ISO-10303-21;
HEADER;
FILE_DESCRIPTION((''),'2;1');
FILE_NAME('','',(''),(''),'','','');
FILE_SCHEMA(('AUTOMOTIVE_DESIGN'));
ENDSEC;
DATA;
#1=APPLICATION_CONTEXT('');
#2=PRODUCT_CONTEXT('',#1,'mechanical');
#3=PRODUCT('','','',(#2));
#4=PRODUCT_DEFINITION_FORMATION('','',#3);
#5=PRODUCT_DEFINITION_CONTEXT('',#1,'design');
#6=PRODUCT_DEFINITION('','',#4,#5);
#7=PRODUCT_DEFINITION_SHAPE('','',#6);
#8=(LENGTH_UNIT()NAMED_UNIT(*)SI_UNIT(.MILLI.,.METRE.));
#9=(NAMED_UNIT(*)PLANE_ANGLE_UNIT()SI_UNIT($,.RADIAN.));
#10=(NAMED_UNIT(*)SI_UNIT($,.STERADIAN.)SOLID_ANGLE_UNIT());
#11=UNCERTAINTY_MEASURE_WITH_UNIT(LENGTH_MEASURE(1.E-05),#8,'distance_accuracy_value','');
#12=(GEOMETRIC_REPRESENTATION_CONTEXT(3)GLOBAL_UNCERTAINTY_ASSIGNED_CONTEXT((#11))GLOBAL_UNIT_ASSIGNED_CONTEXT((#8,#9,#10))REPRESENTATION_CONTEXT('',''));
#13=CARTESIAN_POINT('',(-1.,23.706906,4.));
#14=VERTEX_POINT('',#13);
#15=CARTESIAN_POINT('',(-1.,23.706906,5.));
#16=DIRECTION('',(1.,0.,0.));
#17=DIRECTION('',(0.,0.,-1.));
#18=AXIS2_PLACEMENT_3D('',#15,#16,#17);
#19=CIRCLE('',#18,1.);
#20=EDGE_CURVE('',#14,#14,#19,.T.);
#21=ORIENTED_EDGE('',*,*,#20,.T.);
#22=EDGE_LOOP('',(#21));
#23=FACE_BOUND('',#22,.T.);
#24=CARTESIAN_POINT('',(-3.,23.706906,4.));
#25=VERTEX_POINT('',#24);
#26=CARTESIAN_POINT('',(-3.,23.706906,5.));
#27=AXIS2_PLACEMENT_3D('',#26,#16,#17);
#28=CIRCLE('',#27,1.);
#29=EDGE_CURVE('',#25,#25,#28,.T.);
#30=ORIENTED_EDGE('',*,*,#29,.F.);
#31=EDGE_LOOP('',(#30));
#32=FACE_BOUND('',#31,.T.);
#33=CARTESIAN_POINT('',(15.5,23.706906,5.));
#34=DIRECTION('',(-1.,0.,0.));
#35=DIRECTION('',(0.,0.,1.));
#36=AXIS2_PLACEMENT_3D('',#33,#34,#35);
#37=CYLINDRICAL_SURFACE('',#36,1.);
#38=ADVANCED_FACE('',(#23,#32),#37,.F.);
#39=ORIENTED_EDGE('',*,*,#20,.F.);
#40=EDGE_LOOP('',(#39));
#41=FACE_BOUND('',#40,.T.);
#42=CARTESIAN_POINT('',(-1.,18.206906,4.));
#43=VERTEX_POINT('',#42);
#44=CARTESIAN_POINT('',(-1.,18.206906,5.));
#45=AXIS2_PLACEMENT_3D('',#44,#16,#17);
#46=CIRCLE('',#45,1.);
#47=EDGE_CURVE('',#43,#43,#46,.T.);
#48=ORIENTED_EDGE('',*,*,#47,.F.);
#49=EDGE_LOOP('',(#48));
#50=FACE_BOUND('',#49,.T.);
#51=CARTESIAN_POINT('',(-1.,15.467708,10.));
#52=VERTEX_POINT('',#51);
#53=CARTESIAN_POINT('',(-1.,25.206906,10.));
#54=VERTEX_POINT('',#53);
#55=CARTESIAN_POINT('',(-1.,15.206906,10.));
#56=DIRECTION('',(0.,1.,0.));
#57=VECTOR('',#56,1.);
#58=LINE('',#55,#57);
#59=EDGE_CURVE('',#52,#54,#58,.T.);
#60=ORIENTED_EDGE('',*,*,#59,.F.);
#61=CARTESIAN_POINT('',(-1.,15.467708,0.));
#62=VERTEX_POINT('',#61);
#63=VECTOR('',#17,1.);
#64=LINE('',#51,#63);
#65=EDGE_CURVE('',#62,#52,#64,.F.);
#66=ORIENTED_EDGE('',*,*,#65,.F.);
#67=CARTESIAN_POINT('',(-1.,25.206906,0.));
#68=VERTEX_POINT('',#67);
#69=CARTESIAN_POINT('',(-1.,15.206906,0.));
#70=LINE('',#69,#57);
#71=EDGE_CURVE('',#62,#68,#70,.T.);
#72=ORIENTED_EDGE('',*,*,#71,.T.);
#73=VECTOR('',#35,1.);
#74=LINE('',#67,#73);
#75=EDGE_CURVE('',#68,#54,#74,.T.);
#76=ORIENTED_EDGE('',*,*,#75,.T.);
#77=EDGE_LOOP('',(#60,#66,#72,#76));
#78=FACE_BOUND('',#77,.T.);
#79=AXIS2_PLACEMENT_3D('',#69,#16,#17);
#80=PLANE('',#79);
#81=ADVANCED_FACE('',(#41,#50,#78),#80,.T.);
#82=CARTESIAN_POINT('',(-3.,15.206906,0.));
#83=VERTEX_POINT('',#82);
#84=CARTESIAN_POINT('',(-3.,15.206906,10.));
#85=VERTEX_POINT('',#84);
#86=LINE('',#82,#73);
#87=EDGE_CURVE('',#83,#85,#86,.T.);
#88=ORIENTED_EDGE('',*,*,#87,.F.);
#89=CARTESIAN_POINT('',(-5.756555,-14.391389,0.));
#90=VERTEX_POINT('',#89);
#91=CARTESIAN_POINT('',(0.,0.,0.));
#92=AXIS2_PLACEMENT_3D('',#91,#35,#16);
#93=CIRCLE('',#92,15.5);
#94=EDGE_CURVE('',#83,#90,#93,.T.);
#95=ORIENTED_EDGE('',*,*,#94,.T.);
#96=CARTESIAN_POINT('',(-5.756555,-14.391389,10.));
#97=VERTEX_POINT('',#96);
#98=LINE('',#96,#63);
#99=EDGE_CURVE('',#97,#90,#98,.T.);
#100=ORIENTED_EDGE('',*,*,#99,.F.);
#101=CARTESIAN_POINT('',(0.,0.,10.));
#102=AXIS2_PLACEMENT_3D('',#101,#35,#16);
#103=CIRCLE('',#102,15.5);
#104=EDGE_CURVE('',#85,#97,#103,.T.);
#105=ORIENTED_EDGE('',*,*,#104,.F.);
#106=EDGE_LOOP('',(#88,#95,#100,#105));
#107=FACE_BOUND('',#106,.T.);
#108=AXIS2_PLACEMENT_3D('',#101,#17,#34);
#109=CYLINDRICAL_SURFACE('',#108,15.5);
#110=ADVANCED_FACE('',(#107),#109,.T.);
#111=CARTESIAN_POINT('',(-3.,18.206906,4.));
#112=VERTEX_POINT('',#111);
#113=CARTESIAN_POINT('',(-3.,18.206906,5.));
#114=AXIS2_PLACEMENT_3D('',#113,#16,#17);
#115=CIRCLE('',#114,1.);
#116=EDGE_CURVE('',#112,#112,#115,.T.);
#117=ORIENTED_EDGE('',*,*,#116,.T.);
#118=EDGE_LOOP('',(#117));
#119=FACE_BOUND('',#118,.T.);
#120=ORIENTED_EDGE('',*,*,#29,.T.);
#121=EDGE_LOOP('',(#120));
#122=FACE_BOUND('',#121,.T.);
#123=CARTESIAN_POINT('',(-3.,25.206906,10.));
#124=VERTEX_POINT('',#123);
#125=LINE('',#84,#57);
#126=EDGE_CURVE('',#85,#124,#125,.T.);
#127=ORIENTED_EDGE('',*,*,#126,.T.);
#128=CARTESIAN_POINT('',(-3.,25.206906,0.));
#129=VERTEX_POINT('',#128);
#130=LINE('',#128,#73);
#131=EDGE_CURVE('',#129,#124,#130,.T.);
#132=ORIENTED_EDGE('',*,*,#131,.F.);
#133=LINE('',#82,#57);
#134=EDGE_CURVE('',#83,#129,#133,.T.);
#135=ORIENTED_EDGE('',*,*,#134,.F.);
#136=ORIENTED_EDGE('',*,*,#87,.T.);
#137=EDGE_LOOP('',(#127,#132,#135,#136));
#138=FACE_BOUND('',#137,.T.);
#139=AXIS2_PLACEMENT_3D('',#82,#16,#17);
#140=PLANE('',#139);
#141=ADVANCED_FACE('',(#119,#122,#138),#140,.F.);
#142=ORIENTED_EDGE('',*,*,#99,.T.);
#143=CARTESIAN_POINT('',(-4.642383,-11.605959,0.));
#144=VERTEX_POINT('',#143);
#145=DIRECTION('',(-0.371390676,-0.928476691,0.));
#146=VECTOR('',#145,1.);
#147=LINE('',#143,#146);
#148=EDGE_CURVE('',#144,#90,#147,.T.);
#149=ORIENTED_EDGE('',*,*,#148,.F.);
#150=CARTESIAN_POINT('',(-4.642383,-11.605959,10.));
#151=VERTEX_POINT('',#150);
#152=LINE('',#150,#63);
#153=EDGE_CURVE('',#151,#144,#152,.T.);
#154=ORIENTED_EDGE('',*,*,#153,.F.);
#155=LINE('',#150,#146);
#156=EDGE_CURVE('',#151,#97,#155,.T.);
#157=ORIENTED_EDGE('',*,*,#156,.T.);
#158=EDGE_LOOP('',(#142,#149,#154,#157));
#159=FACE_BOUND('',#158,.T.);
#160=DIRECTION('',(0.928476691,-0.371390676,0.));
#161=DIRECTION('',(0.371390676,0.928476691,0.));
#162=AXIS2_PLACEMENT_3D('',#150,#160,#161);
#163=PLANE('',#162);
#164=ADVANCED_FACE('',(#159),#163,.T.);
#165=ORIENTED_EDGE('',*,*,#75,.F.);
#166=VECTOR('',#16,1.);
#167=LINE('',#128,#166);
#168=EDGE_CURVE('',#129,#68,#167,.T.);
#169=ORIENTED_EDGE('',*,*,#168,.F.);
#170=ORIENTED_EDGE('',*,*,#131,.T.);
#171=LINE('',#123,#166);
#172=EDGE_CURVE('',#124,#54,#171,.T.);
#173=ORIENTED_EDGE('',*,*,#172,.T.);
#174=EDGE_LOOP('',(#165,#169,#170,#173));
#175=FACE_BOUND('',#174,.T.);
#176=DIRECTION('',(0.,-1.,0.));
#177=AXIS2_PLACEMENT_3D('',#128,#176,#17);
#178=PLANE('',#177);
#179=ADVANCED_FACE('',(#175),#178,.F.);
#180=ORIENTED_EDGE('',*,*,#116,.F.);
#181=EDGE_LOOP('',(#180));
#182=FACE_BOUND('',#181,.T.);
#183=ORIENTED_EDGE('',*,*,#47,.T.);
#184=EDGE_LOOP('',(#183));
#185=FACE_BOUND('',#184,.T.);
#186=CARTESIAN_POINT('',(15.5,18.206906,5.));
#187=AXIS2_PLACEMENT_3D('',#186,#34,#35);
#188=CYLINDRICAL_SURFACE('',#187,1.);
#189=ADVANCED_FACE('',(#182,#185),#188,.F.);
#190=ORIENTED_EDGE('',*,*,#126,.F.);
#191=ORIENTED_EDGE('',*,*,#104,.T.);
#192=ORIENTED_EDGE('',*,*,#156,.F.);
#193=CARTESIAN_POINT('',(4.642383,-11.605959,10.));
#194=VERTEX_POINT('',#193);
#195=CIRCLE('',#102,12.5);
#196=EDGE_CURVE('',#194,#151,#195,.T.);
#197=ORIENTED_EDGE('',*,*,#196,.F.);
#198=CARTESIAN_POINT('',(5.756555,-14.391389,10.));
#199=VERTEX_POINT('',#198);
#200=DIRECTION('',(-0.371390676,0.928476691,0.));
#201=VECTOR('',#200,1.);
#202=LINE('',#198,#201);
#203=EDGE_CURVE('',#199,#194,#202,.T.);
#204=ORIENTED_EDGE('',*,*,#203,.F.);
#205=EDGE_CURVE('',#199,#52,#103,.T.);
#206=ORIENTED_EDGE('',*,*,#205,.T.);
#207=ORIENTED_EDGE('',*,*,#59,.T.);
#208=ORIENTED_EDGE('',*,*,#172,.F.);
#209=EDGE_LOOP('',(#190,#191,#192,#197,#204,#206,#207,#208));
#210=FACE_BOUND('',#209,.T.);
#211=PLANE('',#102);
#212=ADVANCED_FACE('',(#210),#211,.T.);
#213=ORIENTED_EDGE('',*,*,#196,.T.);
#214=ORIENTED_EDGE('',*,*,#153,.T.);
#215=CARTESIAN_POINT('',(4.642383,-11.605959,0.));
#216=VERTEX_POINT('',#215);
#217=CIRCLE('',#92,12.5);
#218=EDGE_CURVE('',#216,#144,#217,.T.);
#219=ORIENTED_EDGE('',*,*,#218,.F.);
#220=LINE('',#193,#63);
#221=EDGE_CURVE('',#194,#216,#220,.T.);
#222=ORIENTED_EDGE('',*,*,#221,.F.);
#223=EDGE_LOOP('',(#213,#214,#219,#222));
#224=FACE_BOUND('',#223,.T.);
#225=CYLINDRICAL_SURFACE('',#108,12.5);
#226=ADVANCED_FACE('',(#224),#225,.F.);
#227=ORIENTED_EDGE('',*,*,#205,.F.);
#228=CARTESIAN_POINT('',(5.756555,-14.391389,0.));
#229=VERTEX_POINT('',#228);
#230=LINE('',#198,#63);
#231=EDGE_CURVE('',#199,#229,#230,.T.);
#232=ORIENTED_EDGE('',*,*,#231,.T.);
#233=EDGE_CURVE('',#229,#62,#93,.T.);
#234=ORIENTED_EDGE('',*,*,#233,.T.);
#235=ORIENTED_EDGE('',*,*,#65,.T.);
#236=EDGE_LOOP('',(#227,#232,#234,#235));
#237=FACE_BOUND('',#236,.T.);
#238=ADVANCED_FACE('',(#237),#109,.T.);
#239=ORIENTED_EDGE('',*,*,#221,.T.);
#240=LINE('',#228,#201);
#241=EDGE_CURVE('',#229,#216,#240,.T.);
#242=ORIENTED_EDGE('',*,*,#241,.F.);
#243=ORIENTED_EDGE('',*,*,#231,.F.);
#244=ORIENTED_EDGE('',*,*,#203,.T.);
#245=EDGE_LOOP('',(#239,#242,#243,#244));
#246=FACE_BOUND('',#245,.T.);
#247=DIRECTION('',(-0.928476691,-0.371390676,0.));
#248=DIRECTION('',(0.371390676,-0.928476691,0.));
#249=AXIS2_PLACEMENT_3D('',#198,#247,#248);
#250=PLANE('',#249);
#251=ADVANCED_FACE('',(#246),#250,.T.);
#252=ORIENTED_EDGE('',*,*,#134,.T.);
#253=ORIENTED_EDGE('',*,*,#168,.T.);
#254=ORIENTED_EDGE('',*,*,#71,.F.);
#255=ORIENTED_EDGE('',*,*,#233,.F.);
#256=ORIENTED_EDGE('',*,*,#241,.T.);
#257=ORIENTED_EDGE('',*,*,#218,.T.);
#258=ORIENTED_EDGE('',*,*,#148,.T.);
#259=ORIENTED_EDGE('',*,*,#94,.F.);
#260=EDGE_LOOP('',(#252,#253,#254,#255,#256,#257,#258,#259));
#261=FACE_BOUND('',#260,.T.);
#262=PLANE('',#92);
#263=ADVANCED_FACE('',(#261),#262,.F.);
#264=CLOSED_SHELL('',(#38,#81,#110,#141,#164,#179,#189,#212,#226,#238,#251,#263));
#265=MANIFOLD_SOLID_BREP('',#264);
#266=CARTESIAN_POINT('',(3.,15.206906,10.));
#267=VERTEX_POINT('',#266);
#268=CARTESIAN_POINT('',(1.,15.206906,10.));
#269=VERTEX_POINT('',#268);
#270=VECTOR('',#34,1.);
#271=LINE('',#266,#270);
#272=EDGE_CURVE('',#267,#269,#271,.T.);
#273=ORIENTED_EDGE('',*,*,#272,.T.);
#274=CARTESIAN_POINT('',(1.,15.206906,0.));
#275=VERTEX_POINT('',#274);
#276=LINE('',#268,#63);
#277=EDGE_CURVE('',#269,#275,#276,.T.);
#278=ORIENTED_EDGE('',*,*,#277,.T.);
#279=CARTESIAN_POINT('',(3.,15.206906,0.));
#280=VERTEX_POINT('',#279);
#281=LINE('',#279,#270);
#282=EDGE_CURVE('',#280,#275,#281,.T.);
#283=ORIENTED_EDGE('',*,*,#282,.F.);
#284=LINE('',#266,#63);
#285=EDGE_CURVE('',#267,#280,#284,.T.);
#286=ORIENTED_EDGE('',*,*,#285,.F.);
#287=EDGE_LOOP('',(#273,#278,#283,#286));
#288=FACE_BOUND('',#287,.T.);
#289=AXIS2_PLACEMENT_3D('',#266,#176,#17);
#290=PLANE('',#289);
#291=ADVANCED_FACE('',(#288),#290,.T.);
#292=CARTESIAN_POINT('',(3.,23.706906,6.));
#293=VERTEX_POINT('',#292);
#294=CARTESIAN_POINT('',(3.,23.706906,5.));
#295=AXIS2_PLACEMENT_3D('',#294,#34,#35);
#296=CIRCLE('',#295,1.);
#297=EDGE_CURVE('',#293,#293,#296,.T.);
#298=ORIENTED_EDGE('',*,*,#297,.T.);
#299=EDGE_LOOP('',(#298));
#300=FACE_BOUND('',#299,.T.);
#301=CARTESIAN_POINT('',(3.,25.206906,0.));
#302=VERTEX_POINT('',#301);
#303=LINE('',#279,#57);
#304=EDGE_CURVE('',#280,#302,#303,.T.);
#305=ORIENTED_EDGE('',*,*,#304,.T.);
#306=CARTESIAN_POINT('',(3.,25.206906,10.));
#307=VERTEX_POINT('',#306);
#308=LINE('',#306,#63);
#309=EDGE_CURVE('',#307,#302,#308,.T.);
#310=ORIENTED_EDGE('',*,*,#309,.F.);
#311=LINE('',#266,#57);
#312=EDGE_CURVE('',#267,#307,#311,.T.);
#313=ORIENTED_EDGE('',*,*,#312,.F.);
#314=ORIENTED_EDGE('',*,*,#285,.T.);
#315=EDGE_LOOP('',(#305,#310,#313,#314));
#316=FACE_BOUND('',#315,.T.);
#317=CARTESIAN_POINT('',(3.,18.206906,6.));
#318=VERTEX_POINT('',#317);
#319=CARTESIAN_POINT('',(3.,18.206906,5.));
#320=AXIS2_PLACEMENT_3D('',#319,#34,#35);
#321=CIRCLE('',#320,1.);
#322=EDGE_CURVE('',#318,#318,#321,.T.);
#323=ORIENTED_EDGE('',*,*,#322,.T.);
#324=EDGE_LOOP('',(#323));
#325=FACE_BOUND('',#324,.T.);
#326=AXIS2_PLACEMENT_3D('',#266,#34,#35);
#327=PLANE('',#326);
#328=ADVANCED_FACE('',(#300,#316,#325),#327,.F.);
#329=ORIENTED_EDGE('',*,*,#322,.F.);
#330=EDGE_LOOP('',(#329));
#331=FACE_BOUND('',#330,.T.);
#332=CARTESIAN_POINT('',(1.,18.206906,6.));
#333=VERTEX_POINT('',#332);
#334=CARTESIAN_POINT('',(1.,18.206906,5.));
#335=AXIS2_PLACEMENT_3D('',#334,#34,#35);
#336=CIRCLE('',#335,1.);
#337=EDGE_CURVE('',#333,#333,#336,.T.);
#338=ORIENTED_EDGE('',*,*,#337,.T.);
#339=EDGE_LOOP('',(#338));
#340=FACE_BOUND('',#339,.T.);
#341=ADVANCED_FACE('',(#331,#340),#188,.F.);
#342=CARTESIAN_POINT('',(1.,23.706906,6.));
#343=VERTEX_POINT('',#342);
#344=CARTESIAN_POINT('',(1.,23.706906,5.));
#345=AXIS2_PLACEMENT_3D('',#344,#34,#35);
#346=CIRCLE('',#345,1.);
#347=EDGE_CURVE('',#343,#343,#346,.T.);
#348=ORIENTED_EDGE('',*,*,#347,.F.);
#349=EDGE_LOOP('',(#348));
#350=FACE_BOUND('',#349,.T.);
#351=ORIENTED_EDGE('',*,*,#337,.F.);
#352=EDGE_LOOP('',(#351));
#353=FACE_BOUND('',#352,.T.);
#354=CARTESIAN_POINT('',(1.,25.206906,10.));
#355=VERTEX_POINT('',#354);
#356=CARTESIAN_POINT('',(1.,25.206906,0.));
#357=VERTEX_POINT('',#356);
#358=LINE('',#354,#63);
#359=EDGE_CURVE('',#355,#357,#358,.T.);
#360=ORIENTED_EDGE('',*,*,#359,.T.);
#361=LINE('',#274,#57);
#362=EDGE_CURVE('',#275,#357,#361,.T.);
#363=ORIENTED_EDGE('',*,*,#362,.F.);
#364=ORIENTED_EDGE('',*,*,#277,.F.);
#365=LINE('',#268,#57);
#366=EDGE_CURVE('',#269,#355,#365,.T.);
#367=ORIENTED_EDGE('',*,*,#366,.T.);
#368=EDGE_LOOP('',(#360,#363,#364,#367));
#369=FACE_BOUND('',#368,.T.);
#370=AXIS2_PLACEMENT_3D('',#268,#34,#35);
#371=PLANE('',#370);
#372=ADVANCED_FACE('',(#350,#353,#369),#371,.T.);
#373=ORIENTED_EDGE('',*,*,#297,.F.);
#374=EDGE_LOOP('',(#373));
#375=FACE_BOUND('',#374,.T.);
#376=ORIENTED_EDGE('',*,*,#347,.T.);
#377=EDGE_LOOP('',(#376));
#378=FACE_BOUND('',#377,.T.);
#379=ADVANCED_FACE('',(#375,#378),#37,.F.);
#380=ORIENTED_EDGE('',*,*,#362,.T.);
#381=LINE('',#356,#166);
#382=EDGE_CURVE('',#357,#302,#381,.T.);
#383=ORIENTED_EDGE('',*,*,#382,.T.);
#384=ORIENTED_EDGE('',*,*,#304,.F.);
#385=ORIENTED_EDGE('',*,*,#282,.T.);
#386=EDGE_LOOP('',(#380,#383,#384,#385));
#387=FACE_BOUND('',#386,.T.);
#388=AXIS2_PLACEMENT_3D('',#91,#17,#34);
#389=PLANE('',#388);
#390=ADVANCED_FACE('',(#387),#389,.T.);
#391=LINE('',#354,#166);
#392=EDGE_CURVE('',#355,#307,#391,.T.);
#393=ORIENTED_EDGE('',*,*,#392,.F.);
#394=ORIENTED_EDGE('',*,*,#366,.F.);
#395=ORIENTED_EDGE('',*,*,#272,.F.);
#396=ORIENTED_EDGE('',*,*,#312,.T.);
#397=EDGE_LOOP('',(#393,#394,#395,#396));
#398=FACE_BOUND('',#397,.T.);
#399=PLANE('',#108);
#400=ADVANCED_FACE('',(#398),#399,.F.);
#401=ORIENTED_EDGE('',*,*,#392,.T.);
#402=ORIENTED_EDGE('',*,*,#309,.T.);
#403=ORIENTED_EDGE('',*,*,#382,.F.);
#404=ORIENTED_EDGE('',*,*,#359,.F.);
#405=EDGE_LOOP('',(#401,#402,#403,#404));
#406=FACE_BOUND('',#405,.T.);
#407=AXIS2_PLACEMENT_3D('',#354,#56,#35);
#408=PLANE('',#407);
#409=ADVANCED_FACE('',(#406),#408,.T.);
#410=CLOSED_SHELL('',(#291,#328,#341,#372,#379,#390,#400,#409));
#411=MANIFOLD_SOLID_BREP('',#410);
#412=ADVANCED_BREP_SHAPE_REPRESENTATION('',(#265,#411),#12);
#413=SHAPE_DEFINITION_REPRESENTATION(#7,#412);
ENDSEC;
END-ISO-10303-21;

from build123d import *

# Parameters (mm, degrees)
EXTRUDE_THIN1_DEPTH     = 10
SKETCH3_W               = 2
SKETCH3_H               = 10
EXTRUDE_THIN2_DEPTH     = 10
SKETCH4_W               = 2
SKETCH4_H               = 10
EXTRUDE_THIN3_DEPTH     = 10
CUT_EXTRUDE1_DEPTH      = 33.827399021
CUT_EXTRUDE1_DEPTH_BACK = 33.827399021
SKETCH5_R               = 1


with BuildPart() as part:
    # Sketch1 → Extrude-Thin1 (new body)
    with BuildSketch(Plane.XY):
        with BuildLine():
            ThreePointArc((4.642383454, -11.605958636), (0, 12.5), (-4.642383454, -11.605958636))
            Line((-4.642383454, -11.605958636), (-5.756555483, -14.391388709))
            ThreePointArc((-5.756555483, -14.391388709), (0, 15.5), (5.756555483, -14.391388709))
            Line((5.756555483, -14.391388709), (4.642383454, -11.605958636))
        make_face()
    extrude(amount=EXTRUDE_THIN1_DEPTH)

    # Sketch3 → Extrude-Thin2 (add)
    with BuildSketch(Plane.XY.offset(10)):
        with Locations((-2, 20.206906326)):
            Rectangle(SKETCH3_W, SKETCH3_H)
    extrude(amount=-EXTRUDE_THIN2_DEPTH)


with BuildPart() as body_2:
    # Sketch4 → Extrude-Thin3 (new body)
    with BuildSketch(Plane.XY):
        with Locations((2, 20.206906326)):
            Rectangle(SKETCH4_W, SKETCH4_H)
    extrude(amount=EXTRUDE_THIN3_DEPTH)


with BuildPart() as cut_extrude1_tool:
    # Sketch5 → Cut-Extrude1 (new, two sides: drawn at the far end of the back side and taken through both)
    with BuildSketch(Plane.ZY.offset(3).offset(-CUT_EXTRUDE1_DEPTH_BACK)):
        with Locations((5, 23.706906326)):
            Circle(SKETCH5_R)
        with Locations((5, 18.206906326)):
            Circle(SKETCH5_R)
    extrude(amount=CUT_EXTRUDE1_DEPTH + CUT_EXTRUDE1_DEPTH_BACK)


with BuildPart() as part_1:
    add(part.part)

    # Cut-Extrude1: cut by cut_extrude1_tool
    add(cut_extrude1_tool.part, mode=Mode.SUBTRACT)


with BuildPart() as body_2_1:
    add(body_2.part)

    # Cut-Extrude1: cut by cut_extrude1_tool
    add(cut_extrude1_tool.part, mode=Mode.SUBTRACT)


solid = Compound([part_1.part, body_2_1.part])
